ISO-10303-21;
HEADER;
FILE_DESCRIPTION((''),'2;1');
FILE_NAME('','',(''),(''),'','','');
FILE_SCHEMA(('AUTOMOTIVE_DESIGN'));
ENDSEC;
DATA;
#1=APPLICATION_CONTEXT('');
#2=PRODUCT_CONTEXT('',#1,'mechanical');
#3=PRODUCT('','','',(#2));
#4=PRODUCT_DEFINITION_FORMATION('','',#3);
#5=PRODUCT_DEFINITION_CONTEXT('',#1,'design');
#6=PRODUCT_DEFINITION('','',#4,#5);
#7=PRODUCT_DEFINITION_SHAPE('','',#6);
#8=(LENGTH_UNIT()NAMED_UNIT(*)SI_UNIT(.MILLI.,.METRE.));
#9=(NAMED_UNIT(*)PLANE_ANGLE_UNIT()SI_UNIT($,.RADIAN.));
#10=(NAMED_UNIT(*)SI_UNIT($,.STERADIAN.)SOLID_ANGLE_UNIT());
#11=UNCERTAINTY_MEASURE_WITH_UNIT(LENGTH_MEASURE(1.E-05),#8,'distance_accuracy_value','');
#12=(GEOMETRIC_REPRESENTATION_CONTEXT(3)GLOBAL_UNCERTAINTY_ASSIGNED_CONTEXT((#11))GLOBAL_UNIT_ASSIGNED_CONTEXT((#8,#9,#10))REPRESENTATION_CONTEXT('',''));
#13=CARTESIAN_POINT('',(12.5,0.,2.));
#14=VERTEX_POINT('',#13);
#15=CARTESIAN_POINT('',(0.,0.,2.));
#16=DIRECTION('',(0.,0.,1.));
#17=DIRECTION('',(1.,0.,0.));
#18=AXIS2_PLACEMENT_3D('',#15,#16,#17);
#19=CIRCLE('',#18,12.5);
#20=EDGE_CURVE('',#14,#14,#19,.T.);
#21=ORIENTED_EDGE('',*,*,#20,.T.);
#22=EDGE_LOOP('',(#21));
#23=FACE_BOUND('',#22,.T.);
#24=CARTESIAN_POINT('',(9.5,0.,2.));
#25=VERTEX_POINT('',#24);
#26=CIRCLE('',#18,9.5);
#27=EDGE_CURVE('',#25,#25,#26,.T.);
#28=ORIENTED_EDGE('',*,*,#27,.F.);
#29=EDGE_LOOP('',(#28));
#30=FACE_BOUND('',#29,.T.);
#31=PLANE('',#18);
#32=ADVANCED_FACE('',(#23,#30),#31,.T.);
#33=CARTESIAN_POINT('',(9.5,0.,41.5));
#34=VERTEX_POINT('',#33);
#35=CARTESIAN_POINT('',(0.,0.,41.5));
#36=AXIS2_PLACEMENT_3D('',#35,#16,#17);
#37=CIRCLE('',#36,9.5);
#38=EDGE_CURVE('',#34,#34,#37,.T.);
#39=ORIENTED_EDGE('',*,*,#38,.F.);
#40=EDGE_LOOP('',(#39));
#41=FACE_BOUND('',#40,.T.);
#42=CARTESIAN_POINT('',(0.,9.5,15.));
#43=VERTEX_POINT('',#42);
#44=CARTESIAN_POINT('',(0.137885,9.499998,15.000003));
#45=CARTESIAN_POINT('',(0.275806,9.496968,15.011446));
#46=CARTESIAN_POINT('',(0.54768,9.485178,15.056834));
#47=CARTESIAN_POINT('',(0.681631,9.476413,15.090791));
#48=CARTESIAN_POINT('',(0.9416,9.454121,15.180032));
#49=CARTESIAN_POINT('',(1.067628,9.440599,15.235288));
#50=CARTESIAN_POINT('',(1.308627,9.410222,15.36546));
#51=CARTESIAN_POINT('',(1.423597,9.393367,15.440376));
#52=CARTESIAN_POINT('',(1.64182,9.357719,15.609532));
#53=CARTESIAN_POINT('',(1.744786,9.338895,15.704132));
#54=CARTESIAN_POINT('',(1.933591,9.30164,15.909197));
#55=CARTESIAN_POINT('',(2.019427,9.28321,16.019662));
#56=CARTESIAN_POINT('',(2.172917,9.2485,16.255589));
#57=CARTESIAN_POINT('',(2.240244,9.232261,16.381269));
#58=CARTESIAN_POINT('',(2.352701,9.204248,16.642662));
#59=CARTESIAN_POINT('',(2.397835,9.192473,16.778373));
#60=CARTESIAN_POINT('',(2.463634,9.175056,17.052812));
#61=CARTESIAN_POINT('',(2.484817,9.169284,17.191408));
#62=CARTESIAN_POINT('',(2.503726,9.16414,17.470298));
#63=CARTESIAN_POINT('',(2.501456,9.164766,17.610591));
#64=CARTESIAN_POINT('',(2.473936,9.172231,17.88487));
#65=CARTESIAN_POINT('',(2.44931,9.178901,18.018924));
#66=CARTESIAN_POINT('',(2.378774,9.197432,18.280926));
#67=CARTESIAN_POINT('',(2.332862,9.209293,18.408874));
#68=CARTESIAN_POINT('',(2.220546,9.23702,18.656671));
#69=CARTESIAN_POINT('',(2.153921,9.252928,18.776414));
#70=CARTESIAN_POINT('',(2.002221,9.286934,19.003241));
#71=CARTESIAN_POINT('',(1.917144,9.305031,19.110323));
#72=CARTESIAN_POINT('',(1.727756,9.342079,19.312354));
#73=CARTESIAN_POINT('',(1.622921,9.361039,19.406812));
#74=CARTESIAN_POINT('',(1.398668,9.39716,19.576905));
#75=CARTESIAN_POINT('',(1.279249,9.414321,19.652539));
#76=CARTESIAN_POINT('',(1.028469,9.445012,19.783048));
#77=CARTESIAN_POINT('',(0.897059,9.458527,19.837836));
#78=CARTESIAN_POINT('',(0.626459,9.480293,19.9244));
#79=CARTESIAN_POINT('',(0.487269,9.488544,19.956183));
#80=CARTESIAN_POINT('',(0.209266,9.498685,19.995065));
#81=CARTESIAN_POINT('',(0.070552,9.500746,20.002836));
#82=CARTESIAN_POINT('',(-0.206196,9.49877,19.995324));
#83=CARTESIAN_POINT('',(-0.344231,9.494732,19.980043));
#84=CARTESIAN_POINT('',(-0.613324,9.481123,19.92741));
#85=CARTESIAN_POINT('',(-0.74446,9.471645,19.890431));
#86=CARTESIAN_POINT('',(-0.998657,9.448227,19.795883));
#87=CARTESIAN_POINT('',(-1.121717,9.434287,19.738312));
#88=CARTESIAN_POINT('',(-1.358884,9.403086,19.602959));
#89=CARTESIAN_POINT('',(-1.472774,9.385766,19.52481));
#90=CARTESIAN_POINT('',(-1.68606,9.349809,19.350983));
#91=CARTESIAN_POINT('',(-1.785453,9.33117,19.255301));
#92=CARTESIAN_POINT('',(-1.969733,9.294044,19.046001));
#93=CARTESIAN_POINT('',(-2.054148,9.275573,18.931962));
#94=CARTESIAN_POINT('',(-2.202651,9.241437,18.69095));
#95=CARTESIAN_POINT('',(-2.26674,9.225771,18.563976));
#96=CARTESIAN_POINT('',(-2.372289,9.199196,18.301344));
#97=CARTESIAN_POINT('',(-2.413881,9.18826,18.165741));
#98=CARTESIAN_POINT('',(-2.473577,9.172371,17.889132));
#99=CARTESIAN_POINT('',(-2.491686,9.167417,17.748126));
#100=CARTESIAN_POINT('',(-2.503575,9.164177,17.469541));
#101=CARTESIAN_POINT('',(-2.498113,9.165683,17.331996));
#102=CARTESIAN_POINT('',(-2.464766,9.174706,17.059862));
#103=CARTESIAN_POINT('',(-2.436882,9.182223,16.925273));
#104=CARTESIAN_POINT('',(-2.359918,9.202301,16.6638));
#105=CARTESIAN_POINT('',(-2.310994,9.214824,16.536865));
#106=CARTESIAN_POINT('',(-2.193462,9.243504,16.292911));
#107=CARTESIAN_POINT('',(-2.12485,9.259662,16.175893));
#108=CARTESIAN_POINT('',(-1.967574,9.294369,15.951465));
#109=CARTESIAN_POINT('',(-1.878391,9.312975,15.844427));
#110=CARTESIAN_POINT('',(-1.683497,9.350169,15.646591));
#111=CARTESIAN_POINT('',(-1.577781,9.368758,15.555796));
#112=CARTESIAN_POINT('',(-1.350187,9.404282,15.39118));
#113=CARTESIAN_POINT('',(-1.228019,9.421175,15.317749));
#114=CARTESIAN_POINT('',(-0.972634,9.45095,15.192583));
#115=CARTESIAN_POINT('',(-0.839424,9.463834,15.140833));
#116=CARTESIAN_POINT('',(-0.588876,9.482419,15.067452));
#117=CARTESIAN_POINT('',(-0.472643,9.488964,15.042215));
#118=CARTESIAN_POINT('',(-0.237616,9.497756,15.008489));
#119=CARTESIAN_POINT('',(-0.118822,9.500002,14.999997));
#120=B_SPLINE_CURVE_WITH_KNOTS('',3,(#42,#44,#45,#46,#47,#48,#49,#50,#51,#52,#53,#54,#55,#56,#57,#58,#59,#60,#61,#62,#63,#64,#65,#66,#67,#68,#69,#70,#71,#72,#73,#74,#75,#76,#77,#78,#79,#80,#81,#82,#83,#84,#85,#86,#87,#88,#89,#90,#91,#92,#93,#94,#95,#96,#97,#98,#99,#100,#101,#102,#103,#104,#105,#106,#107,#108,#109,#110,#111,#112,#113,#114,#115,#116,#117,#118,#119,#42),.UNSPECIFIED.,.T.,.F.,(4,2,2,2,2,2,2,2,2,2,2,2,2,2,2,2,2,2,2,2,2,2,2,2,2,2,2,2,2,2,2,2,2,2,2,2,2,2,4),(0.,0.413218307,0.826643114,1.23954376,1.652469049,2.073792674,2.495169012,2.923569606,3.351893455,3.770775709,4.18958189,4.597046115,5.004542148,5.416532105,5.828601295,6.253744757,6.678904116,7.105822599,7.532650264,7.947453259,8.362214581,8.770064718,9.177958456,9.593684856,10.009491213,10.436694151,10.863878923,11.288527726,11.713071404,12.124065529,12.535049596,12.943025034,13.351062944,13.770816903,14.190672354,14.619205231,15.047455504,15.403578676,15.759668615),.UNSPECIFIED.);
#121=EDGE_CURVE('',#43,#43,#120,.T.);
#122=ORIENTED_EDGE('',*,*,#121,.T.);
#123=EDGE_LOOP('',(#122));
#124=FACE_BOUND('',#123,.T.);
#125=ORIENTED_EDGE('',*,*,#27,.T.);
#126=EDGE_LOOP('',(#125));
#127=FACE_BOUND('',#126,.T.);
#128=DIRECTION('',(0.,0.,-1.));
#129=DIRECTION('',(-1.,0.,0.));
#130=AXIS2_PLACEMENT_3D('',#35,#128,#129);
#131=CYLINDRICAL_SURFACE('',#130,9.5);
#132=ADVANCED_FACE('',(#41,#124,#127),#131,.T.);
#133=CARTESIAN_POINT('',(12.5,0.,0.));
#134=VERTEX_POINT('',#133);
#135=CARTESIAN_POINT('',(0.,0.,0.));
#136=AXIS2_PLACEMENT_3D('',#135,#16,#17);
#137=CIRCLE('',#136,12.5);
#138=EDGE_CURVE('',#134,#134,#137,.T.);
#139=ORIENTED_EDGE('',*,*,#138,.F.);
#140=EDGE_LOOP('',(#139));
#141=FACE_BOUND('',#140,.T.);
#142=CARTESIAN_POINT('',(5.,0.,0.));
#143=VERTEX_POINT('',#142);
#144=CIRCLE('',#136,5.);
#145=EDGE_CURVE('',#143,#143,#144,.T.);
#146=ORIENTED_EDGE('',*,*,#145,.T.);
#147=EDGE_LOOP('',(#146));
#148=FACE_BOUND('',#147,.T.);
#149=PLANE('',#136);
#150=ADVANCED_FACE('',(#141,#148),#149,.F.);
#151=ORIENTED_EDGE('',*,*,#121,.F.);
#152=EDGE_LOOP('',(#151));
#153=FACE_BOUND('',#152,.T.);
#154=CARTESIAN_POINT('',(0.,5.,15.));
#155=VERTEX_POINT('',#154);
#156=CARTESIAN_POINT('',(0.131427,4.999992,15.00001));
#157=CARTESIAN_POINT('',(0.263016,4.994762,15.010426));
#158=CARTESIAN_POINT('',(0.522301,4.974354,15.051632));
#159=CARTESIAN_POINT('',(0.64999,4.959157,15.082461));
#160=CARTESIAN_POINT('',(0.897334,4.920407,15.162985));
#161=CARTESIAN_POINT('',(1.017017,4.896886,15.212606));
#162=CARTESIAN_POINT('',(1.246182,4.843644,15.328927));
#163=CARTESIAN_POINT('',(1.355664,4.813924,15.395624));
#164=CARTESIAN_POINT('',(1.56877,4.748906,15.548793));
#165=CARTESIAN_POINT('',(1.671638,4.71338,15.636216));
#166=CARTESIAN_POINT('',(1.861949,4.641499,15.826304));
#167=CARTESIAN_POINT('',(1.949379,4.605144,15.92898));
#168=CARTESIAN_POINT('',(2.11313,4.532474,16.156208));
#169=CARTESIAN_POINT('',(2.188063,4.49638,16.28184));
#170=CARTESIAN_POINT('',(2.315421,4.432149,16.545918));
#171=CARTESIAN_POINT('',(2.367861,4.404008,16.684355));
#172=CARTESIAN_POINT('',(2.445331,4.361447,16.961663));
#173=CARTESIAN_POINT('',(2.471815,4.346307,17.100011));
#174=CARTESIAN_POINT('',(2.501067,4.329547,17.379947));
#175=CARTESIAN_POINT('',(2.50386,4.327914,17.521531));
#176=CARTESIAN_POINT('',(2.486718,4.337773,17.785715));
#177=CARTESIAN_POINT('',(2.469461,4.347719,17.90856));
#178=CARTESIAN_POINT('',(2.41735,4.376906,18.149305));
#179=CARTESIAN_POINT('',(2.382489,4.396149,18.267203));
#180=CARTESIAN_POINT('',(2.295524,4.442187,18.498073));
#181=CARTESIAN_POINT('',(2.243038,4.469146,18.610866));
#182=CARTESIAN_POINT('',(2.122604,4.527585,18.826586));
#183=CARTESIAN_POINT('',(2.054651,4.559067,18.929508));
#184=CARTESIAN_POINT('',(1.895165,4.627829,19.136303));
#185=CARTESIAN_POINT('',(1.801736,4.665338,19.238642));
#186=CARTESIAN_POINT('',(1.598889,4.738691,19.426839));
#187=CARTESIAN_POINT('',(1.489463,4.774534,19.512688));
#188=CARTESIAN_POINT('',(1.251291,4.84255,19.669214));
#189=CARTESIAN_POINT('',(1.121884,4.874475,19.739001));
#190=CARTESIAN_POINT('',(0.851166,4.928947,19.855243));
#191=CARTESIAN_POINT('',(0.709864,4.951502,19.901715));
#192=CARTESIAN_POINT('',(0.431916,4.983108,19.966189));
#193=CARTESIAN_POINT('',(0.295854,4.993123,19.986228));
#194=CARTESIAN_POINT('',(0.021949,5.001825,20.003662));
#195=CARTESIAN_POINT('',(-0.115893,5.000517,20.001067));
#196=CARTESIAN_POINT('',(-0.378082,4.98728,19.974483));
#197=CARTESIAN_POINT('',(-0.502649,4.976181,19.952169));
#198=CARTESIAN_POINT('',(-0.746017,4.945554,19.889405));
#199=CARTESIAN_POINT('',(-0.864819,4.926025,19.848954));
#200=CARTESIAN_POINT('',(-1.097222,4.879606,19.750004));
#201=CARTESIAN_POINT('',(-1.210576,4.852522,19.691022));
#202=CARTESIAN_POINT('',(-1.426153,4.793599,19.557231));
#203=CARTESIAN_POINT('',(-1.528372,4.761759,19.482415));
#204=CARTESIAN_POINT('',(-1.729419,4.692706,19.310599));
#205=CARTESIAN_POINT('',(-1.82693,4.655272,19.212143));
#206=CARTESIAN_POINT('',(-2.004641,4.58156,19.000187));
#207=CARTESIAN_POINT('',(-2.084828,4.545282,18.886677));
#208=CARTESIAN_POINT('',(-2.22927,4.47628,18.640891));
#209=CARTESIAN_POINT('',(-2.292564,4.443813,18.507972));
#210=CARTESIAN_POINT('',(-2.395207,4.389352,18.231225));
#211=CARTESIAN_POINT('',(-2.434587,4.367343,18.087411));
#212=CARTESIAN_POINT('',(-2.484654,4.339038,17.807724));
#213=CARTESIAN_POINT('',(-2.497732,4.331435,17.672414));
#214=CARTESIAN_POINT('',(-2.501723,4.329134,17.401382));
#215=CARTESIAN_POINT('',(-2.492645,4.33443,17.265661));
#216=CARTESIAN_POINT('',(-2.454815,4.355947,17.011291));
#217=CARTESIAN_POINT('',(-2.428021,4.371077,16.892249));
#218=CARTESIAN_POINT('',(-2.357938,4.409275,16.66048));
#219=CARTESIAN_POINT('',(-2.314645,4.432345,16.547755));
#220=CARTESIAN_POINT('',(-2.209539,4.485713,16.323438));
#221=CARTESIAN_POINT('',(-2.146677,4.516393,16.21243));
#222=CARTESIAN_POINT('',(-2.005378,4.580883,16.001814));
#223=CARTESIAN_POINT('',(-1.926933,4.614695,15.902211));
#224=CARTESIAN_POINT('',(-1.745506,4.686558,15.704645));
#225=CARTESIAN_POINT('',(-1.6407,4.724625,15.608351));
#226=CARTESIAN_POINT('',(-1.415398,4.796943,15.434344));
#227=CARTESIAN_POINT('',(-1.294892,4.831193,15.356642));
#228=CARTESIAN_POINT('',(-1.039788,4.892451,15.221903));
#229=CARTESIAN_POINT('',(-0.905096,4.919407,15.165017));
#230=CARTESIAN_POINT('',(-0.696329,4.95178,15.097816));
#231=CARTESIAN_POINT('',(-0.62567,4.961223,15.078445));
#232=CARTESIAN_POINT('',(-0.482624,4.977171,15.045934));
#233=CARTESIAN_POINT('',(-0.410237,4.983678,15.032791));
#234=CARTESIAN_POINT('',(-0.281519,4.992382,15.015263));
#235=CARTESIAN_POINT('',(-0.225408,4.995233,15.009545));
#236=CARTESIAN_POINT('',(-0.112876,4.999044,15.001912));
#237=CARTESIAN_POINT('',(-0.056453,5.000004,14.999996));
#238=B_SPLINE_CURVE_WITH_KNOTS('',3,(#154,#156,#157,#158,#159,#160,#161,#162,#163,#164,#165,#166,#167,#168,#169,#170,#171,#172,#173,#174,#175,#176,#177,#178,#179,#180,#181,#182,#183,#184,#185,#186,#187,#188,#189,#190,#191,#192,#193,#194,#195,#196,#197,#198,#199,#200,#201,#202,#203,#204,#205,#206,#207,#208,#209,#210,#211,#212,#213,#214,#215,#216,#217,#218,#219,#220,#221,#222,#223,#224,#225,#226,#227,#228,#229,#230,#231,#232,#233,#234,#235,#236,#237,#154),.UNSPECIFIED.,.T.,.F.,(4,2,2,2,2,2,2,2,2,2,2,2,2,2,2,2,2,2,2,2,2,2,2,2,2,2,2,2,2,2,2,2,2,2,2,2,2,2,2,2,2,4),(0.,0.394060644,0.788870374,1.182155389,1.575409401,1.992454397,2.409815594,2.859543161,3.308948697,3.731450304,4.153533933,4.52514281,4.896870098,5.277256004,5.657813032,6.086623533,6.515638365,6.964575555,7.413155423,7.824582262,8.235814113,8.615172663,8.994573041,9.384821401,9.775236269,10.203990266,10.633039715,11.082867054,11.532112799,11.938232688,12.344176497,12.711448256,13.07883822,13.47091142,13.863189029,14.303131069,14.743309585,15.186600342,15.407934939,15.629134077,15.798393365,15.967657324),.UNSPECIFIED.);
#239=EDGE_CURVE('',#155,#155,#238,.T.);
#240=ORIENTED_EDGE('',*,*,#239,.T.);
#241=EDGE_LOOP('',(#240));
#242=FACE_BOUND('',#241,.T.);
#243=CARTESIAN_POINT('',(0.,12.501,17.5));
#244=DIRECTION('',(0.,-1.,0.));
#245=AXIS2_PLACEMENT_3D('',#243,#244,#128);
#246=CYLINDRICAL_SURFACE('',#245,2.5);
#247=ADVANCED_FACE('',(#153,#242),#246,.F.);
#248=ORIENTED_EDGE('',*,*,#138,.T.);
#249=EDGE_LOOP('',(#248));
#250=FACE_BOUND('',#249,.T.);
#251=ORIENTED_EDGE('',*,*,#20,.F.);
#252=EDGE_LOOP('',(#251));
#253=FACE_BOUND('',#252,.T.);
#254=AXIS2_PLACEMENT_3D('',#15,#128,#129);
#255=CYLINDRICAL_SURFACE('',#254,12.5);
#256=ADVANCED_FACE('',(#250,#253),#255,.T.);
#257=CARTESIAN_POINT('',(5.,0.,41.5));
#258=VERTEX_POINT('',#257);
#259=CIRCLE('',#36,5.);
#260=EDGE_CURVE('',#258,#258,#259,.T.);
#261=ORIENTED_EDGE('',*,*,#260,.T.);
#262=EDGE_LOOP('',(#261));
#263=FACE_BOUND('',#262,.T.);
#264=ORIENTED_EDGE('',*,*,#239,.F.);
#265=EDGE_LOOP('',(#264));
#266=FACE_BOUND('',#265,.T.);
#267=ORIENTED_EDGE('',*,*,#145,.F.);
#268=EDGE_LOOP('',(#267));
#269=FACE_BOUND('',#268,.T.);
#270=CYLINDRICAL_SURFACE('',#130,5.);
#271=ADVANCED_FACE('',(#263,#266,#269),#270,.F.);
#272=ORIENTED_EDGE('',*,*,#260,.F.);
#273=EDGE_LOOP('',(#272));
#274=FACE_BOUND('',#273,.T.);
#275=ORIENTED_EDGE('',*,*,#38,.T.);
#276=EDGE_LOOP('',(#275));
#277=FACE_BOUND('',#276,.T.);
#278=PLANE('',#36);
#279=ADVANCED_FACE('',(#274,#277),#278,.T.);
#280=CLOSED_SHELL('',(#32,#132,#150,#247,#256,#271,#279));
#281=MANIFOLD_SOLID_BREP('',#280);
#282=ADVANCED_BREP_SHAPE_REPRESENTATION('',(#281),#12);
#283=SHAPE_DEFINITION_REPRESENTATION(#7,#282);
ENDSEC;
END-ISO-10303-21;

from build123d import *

# Parameters (mm, degrees)
SKETCH1_R               = 12.5
SKETCH1_R_2             = 9.5
BOSS_EXTRUDE1_DEPTH     = 2
SKETCH1_3_R             = 9.5
SKETCH1_3_R_2           = 5
BOSS_EXTRUDE2_DEPTH     = 41.5
CUT_EXTRUDE1_REACH      = 47.108
CUT_EXTRUDE1_END_RADIUS = 9.5
SKETCH2_R               = 2.5


with BuildPart() as part:
    # Sketch1 → Boss-Extrude1 (new body)
    with BuildSketch(Plane.XY):
        Circle(SKETCH1_R)
        Circle(SKETCH1_R_2, mode=Mode.SUBTRACT)
    extrude(amount=BOSS_EXTRUDE1_DEPTH)

    # Sketch1<3> → Boss-Extrude2 (add)
    with BuildSketch(Plane.XY):
        Circle(SKETCH1_3_R)
        Circle(SKETCH1_3_R_2, mode=Mode.SUBTRACT)
    extrude(amount=BOSS_EXTRUDE2_DEPTH)

    # Cut-Extrude1: up to this cylinder (the profile starts inside it)
    cut_extrude1_end = Plane(origin=(0, 0, 17.5), z_dir=(0, 0, -1)) * Cylinder(CUT_EXTRUDE1_END_RADIUS, 114.216, mode=Mode.PRIVATE)
    # Sketch2 → Cut-Extrude1 (cut, up to the surface)
    with BuildSketch(Plane(origin=(0, 0, 0), x_dir=(1, 0, 0), z_dir=(0, 1, 0)), mode=Mode.PRIVATE) as cut_extrude1_sk1:
        with Locations(Location((0, -17.5, 0), (0, 0, 90))):
            Circle(SKETCH2_R)
    cut_extrude1_tool1 = extrude(cut_extrude1_sk1.sketch, amount=CUT_EXTRUDE1_REACH, mode=Mode.PRIVATE) & cut_extrude1_end
    add(cut_extrude1_tool1.solids().sort_by_distance((0, 0, 17.5))[0], mode=Mode.SUBTRACT)


solid = part.part
